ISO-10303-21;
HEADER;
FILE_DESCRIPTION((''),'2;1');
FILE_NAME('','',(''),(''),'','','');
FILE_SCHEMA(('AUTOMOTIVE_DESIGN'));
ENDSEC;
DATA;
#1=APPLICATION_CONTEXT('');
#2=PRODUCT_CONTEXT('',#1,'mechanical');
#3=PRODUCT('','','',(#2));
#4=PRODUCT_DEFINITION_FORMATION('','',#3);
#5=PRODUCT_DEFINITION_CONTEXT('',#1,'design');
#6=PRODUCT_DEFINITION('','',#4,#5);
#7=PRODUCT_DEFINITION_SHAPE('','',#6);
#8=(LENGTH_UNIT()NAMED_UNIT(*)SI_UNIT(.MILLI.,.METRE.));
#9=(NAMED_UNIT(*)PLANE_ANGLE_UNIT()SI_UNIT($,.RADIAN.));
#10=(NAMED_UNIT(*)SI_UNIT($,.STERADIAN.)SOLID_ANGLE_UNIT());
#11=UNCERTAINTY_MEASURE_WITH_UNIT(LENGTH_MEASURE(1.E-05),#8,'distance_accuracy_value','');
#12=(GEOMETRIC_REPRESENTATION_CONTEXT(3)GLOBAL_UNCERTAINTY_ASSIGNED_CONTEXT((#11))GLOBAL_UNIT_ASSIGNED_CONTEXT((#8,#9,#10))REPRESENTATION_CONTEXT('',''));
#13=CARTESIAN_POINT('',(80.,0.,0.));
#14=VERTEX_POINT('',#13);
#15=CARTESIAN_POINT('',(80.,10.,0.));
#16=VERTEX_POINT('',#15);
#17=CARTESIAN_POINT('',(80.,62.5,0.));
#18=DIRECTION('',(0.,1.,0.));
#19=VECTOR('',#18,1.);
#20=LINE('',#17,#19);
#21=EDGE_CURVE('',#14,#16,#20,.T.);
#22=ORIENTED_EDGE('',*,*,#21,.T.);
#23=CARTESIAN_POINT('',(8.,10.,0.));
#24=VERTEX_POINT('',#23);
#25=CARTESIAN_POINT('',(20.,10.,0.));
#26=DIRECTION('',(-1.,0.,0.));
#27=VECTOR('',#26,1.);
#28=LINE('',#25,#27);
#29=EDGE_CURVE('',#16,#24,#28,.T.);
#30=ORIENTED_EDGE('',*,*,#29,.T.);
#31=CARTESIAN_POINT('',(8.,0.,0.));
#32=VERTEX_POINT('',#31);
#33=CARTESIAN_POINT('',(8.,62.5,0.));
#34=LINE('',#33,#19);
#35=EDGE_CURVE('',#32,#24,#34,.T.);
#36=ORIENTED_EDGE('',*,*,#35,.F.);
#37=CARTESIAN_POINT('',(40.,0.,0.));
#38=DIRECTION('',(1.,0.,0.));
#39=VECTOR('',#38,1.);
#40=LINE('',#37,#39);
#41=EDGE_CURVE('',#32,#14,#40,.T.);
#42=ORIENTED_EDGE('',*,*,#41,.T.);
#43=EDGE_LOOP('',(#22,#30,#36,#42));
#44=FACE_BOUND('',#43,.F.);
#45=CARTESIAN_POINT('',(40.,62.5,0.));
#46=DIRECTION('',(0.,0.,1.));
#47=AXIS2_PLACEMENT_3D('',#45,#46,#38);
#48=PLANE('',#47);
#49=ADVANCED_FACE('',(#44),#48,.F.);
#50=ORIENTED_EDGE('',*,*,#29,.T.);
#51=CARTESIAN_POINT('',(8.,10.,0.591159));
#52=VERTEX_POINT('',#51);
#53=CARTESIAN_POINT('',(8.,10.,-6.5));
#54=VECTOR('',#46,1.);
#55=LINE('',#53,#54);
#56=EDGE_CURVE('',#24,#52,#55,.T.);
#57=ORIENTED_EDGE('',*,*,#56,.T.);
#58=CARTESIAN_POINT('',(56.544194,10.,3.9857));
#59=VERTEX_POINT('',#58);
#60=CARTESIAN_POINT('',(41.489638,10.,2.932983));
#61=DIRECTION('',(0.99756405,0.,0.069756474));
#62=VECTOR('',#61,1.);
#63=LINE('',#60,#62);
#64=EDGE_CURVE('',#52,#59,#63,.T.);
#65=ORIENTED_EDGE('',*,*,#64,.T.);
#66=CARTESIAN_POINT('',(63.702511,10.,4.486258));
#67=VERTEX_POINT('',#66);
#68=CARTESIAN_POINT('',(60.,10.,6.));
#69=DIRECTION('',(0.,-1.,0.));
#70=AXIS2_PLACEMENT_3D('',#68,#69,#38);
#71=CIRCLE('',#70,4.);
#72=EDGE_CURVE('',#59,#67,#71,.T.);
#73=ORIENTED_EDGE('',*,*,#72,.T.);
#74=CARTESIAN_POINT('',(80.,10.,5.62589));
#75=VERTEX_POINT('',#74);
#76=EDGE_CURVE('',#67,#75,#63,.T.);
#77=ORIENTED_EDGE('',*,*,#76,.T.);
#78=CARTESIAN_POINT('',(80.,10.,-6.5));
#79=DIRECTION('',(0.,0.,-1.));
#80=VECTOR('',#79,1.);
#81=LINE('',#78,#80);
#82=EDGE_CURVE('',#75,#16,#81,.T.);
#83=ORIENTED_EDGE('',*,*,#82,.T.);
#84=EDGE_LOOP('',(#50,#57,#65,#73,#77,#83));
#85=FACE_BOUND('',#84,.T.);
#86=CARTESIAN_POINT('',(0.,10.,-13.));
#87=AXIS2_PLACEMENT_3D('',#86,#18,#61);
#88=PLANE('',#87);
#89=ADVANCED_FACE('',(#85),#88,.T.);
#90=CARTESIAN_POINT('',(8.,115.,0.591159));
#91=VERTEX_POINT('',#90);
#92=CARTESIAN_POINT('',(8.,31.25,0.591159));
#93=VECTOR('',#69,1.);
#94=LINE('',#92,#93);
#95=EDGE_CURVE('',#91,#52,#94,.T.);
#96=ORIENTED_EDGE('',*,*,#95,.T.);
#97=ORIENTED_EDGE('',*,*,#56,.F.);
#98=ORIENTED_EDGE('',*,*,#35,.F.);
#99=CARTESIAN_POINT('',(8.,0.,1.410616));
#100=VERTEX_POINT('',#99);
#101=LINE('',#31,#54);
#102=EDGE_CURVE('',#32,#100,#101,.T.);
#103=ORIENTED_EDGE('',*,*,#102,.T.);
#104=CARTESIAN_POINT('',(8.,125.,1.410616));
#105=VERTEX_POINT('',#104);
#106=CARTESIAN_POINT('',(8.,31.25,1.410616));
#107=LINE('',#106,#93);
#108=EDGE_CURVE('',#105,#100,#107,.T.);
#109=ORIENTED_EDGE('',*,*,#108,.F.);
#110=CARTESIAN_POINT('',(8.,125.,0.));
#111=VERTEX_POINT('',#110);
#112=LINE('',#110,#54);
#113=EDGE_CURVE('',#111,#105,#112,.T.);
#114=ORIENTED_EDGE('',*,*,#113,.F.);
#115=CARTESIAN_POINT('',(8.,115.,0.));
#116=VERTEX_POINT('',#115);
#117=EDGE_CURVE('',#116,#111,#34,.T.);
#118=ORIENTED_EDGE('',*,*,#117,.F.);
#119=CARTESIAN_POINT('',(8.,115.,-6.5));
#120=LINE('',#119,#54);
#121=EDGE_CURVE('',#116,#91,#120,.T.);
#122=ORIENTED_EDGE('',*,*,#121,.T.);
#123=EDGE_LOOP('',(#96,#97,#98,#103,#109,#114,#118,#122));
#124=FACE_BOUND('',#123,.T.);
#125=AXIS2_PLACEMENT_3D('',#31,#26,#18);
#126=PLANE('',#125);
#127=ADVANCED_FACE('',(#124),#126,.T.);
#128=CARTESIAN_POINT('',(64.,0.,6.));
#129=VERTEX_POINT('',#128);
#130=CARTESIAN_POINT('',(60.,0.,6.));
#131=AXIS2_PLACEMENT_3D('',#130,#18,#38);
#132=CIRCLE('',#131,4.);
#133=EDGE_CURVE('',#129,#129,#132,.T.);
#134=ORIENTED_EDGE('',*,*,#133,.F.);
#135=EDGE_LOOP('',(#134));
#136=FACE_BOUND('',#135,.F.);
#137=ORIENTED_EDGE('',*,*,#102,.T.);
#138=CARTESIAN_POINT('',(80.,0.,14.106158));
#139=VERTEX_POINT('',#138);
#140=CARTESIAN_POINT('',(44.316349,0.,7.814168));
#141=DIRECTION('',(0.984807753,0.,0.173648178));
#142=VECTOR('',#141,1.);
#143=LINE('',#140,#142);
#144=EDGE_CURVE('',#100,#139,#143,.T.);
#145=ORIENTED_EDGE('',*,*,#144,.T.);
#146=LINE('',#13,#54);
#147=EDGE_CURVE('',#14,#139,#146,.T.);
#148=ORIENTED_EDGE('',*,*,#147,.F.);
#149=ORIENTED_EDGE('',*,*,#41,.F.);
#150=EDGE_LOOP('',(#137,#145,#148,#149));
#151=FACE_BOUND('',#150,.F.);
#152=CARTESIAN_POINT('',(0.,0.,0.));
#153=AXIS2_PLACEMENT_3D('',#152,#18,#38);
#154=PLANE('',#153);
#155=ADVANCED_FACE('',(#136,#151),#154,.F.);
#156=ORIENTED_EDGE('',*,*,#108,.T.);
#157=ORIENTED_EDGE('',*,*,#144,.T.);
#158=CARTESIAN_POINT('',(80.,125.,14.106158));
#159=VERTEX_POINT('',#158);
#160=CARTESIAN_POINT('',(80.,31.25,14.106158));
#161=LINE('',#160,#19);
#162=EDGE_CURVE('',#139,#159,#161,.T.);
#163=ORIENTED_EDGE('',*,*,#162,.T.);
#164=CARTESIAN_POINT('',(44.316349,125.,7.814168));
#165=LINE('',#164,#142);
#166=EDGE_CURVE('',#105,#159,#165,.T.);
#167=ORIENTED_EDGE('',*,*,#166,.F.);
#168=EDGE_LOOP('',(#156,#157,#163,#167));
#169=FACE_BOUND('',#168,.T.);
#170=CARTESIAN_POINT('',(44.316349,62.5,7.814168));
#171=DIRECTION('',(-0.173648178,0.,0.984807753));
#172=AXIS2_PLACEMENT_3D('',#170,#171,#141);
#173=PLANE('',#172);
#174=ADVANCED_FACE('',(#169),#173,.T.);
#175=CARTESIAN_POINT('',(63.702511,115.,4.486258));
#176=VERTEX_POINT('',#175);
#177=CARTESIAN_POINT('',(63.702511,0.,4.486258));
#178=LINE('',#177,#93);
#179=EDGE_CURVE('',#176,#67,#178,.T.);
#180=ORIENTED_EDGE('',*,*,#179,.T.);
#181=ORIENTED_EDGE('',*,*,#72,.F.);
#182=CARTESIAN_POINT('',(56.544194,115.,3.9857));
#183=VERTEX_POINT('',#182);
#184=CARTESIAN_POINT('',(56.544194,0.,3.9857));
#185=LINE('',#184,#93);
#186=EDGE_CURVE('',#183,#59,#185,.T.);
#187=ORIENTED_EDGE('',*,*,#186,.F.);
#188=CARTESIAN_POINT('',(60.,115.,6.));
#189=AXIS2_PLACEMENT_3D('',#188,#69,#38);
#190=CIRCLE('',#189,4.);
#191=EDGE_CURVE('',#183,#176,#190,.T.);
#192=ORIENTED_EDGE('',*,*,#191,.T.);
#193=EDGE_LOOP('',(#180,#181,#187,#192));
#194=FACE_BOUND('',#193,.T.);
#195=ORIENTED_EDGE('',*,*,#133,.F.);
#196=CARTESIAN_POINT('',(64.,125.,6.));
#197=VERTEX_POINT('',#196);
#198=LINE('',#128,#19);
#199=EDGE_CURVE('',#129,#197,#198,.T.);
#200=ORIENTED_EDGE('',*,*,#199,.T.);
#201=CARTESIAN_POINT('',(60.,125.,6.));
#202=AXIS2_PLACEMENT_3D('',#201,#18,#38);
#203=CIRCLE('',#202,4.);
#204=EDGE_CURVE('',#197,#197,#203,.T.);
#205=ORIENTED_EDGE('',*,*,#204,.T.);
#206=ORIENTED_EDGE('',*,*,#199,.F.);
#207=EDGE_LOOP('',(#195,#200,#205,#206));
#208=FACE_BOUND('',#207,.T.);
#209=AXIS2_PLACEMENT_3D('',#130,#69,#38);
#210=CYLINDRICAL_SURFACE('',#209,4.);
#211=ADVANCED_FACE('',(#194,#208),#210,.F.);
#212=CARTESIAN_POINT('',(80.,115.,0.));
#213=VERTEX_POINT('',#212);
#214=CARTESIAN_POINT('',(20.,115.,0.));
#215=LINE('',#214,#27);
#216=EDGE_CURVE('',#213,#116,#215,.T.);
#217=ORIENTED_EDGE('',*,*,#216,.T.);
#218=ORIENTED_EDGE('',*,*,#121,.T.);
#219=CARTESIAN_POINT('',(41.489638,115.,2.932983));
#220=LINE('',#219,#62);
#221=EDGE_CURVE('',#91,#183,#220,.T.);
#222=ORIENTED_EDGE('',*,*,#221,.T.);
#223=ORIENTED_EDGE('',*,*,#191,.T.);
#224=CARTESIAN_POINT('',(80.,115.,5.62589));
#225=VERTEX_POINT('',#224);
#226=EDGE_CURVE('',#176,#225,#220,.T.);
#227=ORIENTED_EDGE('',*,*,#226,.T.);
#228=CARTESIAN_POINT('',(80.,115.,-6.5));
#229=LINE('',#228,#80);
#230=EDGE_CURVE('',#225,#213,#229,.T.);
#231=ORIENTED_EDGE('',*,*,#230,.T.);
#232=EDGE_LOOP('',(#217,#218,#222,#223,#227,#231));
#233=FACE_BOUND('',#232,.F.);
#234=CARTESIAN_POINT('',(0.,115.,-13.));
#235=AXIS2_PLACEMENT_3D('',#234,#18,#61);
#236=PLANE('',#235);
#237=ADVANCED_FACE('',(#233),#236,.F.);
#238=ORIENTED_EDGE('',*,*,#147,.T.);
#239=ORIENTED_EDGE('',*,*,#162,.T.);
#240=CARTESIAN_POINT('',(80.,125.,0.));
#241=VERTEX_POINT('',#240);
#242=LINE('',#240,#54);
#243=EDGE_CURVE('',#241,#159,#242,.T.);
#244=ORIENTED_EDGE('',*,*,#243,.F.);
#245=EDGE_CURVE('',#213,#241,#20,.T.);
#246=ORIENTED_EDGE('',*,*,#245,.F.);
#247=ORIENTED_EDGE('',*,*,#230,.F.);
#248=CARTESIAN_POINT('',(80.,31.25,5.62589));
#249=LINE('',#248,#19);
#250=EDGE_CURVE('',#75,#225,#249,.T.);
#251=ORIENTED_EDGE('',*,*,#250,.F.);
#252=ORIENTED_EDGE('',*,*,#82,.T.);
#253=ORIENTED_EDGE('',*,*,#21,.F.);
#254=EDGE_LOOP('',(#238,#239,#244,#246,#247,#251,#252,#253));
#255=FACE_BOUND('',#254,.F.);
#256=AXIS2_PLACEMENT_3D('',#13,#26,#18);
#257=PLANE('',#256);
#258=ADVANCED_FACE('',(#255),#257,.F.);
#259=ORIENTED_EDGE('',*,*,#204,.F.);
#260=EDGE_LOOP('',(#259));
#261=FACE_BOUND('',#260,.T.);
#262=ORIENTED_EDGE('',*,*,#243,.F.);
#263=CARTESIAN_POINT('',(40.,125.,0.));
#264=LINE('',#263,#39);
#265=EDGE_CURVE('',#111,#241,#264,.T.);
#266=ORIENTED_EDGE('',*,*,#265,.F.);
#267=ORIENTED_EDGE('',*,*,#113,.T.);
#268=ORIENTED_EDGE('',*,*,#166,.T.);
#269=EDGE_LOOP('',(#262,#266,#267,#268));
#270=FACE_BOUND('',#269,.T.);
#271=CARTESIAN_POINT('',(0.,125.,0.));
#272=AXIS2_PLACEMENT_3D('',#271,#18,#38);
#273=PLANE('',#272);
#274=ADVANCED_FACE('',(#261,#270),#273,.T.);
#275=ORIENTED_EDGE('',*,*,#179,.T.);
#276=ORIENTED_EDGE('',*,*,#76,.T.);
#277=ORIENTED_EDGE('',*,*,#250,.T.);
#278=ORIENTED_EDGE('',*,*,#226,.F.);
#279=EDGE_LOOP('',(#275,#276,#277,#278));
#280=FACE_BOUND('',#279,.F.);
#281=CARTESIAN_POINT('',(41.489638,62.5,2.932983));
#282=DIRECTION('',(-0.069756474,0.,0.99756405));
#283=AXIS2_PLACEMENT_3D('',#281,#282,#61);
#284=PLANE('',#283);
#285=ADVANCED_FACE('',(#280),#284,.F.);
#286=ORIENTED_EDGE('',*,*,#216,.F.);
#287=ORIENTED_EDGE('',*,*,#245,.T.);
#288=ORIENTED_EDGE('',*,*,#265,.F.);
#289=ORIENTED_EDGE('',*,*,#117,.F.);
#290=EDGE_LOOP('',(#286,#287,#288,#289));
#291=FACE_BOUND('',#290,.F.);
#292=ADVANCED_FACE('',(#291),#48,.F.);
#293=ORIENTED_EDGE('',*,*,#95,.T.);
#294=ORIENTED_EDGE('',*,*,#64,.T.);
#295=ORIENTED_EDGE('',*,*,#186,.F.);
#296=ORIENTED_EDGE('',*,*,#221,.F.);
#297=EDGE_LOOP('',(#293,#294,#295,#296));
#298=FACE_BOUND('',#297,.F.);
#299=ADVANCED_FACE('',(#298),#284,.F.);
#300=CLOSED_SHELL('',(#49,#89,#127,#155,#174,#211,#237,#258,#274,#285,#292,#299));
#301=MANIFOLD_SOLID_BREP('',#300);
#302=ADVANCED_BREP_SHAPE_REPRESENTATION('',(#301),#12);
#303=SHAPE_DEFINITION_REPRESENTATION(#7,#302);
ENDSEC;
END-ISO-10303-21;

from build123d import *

# Parameters (mm, degrees)
CYLINDER_R             = 4
CYLINDER_DEPTH         = 125
BOX003_W               = 8
BOX003_H               = 125
BOX003_DEPTH           = 2
BOX002_W               = 90
BOX002_H               = 125
BOX002_DEPTH           = 50
BOX002_PLACEMENT_ANGLE = 10
BOX001_W               = 85
BOX001_H               = 105
BOX001_DEPTH           = 13
BOX001_PLACEMENT_ANGLE = 356
BOX_W                  = 80
BOX_H                  = 125
BOX_DEPTH              = 50


with BuildPart() as mount_hole:
    # Cylinder → Cylinder (new body)
    with BuildSketch(Plane(origin=(60, 0, 6), x_dir=(1, 0, 0), z_dir=(0, 1, 0))):
        Circle(CYLINDER_R)
    extrude(amount=CYLINDER_DEPTH)


with BuildPart() as edge_remove:
    # Box003 → Box003 (new body)
    with BuildSketch(Plane.XY):
        with Locations((4, 62.5)):
            Rectangle(BOX003_W, BOX003_H)
    extrude(amount=BOX003_DEPTH)


with BuildPart() as guide_cutout:
    # Box002 → Box002 (new body)
    with BuildSketch(Plane.XY):
        with Locations((45, 62.5)):
            Rectangle(BOX002_W, BOX002_H)
    extrude(amount=BOX002_DEPTH)


with BuildPart() as guide_cutout_1:
    # Box002 placement: moved
    add(guide_cutout.part.rotate(Axis((0, 0, 0), (0, -1, 0)), BOX002_PLACEMENT_ANGLE))


with BuildPart() as belt_cutout:
    # Box001 → Box001 (new body)
    with BuildSketch(Plane.XY):
        with Locations((42.5, 52.5)):
            Rectangle(BOX001_W, BOX001_H)
    extrude(amount=BOX001_DEPTH)


with BuildPart() as belt_cutout_1:
    # Box001 placement: moved
    add(belt_cutout.part.moved(Location((0, 10, -13))).rotate(Axis((0, 10, -13), (0, 1, 0)), BOX001_PLACEMENT_ANGLE))


with BuildPart() as cut003:
    # Box → Box (new body)
    with BuildSketch(Plane.XY):
        with Locations((40, 62.5)):
            Rectangle(BOX_W, BOX_H)
    extrude(amount=BOX_DEPTH)

    # Cut: cut belt_cutout
    add(belt_cutout_1.part, mode=Mode.SUBTRACT)

    # Cut001: cut guide_cutout
    add(guide_cutout_1.part, mode=Mode.SUBTRACT)

    # Cut002: cut edge_remove
    add(edge_remove.part, mode=Mode.SUBTRACT)

    # Cut003: cut mount_hole
    add(mount_hole.part, mode=Mode.SUBTRACT)


solid = cut003.part
